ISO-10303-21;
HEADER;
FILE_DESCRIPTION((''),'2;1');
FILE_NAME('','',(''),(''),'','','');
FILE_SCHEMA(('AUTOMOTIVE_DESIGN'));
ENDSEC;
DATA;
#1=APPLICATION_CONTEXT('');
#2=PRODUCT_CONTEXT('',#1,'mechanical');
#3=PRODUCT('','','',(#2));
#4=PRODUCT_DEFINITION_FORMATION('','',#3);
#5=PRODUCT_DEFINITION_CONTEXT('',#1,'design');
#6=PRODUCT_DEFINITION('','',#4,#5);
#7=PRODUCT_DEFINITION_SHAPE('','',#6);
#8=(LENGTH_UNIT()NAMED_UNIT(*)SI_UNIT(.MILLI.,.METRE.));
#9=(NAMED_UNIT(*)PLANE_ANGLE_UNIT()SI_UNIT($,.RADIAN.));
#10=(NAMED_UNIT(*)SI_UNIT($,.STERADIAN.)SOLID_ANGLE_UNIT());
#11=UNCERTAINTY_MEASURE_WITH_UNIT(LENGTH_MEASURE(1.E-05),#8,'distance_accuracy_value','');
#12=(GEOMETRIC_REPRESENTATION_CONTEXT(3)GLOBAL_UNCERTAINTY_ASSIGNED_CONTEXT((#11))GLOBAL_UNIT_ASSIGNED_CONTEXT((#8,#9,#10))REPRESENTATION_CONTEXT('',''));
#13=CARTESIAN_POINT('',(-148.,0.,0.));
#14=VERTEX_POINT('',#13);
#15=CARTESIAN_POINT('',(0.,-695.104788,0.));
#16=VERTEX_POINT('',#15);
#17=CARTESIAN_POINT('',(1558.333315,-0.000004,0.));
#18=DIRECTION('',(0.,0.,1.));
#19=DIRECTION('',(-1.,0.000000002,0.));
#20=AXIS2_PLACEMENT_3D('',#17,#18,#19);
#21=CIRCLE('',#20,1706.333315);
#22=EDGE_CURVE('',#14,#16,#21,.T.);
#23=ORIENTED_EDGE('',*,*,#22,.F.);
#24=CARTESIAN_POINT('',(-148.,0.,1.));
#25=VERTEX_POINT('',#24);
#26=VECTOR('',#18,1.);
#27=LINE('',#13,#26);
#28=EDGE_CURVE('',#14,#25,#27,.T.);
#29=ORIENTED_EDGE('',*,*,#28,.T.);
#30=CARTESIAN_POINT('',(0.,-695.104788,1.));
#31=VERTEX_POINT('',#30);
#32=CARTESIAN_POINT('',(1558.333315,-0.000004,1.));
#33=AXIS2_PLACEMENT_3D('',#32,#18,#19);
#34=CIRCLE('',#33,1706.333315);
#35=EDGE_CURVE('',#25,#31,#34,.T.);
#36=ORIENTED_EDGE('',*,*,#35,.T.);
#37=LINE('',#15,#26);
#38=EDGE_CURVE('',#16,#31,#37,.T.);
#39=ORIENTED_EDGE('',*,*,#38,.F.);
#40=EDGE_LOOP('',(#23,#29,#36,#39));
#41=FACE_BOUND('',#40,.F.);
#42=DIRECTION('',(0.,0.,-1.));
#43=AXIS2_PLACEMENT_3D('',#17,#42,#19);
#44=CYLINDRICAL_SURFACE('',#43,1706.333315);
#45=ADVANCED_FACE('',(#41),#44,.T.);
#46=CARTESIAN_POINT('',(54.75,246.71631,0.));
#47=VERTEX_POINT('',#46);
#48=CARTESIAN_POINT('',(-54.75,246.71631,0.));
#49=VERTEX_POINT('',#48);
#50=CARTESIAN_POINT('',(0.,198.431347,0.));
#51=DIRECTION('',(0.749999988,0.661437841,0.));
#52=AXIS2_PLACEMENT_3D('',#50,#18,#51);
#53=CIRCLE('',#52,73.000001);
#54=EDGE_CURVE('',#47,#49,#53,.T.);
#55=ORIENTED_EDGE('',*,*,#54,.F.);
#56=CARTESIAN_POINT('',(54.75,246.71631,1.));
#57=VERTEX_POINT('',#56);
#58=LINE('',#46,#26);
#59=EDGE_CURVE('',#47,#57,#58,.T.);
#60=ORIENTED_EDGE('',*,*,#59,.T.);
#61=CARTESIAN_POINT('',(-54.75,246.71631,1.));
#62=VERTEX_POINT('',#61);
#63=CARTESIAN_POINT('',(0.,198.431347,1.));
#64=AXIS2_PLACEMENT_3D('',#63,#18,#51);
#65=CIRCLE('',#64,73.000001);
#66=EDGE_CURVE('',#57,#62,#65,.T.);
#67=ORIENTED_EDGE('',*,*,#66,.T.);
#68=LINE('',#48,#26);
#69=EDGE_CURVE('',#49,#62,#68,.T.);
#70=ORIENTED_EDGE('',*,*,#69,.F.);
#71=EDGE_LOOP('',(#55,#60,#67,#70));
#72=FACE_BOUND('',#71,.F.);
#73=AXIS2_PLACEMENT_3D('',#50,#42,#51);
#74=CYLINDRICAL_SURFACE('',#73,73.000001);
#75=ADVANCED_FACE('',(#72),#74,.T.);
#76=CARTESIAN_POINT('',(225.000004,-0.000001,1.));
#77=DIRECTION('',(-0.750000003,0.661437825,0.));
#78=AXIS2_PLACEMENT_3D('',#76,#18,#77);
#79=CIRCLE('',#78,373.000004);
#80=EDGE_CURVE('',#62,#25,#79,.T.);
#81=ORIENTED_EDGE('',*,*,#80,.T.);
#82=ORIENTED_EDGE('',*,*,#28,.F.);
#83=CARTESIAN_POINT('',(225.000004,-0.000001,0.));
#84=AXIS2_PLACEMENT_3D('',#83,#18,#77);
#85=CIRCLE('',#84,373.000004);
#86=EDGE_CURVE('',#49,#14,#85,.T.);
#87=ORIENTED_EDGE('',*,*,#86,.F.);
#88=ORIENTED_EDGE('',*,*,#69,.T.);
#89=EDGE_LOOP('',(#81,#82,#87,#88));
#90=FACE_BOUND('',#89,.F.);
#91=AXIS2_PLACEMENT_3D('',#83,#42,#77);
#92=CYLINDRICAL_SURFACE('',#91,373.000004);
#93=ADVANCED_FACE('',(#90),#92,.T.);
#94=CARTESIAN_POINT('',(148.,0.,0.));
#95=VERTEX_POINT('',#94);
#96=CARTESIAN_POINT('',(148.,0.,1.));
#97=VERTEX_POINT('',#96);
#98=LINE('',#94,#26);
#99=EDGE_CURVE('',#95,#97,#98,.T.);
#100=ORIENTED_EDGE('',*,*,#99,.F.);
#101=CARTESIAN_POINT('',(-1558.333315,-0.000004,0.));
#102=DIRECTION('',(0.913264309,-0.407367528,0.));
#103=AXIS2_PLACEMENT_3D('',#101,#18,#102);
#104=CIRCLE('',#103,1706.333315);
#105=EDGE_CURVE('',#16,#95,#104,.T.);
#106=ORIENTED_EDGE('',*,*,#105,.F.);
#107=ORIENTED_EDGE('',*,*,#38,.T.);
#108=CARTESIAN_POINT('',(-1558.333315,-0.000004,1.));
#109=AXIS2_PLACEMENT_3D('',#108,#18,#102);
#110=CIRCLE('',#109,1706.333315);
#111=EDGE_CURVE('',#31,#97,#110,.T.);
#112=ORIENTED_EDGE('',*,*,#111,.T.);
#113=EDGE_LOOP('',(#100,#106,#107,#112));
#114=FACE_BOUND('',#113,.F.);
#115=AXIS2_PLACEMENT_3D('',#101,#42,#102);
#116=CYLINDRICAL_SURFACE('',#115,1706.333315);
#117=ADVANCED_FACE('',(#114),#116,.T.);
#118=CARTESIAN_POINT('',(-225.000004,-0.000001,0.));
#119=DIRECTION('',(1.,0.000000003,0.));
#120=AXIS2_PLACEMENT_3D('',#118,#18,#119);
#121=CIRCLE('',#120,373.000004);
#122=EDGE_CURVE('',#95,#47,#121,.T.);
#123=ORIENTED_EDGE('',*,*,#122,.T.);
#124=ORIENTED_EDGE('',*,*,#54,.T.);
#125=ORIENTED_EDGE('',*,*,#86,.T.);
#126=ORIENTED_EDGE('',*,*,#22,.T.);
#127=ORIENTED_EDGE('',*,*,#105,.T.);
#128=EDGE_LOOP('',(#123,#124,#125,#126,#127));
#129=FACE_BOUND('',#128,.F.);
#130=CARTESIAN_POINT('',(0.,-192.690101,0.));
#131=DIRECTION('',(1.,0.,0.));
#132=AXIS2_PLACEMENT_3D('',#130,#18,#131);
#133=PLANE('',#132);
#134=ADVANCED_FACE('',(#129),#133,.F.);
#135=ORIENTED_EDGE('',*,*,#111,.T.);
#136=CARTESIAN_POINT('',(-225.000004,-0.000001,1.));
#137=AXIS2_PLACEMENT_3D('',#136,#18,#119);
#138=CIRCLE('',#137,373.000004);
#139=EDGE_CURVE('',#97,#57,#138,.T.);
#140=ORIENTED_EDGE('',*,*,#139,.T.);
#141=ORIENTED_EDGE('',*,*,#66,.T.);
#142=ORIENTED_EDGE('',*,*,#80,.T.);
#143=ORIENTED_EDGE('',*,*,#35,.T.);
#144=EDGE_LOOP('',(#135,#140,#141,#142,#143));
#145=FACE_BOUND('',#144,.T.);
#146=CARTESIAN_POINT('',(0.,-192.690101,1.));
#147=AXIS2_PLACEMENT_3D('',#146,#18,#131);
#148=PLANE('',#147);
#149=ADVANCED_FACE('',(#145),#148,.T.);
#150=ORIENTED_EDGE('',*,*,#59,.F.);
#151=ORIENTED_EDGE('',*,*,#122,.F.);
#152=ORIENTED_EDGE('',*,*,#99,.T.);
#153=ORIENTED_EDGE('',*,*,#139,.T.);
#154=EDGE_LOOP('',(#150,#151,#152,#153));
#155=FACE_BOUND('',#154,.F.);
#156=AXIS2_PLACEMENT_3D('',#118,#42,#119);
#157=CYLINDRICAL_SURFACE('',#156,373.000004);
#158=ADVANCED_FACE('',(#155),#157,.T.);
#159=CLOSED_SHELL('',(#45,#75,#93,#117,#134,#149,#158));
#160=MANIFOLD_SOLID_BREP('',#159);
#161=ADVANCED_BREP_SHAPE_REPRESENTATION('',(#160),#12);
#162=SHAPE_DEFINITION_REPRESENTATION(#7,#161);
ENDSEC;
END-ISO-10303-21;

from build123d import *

# Parameters (mm, degrees)
F1_DEPTH = 1


with BuildPart() as f1:
    # F0 (on Top) → F1 (new body)
    with BuildSketch(Plane.XY):
        with BuildLine():
            ThreePointArc((0, -695.104788), (110.589906, -355.343027), (148, 0))
            ThreePointArc((148, 0), (123.909551, 131.875415), (54.75, 246.71631))
            ThreePointArc((54.75, 246.71631), (0, 271.431348), (-54.75, 246.71631))
            ThreePointArc((-54.75, 246.71631), (-123.909551, 131.875415), (-148, 0))
            ThreePointArc((-148, 0), (-110.589906, -355.343027), (0, -695.104788))
        make_face()
    extrude(amount=F1_DEPTH)


solid = f1.part
